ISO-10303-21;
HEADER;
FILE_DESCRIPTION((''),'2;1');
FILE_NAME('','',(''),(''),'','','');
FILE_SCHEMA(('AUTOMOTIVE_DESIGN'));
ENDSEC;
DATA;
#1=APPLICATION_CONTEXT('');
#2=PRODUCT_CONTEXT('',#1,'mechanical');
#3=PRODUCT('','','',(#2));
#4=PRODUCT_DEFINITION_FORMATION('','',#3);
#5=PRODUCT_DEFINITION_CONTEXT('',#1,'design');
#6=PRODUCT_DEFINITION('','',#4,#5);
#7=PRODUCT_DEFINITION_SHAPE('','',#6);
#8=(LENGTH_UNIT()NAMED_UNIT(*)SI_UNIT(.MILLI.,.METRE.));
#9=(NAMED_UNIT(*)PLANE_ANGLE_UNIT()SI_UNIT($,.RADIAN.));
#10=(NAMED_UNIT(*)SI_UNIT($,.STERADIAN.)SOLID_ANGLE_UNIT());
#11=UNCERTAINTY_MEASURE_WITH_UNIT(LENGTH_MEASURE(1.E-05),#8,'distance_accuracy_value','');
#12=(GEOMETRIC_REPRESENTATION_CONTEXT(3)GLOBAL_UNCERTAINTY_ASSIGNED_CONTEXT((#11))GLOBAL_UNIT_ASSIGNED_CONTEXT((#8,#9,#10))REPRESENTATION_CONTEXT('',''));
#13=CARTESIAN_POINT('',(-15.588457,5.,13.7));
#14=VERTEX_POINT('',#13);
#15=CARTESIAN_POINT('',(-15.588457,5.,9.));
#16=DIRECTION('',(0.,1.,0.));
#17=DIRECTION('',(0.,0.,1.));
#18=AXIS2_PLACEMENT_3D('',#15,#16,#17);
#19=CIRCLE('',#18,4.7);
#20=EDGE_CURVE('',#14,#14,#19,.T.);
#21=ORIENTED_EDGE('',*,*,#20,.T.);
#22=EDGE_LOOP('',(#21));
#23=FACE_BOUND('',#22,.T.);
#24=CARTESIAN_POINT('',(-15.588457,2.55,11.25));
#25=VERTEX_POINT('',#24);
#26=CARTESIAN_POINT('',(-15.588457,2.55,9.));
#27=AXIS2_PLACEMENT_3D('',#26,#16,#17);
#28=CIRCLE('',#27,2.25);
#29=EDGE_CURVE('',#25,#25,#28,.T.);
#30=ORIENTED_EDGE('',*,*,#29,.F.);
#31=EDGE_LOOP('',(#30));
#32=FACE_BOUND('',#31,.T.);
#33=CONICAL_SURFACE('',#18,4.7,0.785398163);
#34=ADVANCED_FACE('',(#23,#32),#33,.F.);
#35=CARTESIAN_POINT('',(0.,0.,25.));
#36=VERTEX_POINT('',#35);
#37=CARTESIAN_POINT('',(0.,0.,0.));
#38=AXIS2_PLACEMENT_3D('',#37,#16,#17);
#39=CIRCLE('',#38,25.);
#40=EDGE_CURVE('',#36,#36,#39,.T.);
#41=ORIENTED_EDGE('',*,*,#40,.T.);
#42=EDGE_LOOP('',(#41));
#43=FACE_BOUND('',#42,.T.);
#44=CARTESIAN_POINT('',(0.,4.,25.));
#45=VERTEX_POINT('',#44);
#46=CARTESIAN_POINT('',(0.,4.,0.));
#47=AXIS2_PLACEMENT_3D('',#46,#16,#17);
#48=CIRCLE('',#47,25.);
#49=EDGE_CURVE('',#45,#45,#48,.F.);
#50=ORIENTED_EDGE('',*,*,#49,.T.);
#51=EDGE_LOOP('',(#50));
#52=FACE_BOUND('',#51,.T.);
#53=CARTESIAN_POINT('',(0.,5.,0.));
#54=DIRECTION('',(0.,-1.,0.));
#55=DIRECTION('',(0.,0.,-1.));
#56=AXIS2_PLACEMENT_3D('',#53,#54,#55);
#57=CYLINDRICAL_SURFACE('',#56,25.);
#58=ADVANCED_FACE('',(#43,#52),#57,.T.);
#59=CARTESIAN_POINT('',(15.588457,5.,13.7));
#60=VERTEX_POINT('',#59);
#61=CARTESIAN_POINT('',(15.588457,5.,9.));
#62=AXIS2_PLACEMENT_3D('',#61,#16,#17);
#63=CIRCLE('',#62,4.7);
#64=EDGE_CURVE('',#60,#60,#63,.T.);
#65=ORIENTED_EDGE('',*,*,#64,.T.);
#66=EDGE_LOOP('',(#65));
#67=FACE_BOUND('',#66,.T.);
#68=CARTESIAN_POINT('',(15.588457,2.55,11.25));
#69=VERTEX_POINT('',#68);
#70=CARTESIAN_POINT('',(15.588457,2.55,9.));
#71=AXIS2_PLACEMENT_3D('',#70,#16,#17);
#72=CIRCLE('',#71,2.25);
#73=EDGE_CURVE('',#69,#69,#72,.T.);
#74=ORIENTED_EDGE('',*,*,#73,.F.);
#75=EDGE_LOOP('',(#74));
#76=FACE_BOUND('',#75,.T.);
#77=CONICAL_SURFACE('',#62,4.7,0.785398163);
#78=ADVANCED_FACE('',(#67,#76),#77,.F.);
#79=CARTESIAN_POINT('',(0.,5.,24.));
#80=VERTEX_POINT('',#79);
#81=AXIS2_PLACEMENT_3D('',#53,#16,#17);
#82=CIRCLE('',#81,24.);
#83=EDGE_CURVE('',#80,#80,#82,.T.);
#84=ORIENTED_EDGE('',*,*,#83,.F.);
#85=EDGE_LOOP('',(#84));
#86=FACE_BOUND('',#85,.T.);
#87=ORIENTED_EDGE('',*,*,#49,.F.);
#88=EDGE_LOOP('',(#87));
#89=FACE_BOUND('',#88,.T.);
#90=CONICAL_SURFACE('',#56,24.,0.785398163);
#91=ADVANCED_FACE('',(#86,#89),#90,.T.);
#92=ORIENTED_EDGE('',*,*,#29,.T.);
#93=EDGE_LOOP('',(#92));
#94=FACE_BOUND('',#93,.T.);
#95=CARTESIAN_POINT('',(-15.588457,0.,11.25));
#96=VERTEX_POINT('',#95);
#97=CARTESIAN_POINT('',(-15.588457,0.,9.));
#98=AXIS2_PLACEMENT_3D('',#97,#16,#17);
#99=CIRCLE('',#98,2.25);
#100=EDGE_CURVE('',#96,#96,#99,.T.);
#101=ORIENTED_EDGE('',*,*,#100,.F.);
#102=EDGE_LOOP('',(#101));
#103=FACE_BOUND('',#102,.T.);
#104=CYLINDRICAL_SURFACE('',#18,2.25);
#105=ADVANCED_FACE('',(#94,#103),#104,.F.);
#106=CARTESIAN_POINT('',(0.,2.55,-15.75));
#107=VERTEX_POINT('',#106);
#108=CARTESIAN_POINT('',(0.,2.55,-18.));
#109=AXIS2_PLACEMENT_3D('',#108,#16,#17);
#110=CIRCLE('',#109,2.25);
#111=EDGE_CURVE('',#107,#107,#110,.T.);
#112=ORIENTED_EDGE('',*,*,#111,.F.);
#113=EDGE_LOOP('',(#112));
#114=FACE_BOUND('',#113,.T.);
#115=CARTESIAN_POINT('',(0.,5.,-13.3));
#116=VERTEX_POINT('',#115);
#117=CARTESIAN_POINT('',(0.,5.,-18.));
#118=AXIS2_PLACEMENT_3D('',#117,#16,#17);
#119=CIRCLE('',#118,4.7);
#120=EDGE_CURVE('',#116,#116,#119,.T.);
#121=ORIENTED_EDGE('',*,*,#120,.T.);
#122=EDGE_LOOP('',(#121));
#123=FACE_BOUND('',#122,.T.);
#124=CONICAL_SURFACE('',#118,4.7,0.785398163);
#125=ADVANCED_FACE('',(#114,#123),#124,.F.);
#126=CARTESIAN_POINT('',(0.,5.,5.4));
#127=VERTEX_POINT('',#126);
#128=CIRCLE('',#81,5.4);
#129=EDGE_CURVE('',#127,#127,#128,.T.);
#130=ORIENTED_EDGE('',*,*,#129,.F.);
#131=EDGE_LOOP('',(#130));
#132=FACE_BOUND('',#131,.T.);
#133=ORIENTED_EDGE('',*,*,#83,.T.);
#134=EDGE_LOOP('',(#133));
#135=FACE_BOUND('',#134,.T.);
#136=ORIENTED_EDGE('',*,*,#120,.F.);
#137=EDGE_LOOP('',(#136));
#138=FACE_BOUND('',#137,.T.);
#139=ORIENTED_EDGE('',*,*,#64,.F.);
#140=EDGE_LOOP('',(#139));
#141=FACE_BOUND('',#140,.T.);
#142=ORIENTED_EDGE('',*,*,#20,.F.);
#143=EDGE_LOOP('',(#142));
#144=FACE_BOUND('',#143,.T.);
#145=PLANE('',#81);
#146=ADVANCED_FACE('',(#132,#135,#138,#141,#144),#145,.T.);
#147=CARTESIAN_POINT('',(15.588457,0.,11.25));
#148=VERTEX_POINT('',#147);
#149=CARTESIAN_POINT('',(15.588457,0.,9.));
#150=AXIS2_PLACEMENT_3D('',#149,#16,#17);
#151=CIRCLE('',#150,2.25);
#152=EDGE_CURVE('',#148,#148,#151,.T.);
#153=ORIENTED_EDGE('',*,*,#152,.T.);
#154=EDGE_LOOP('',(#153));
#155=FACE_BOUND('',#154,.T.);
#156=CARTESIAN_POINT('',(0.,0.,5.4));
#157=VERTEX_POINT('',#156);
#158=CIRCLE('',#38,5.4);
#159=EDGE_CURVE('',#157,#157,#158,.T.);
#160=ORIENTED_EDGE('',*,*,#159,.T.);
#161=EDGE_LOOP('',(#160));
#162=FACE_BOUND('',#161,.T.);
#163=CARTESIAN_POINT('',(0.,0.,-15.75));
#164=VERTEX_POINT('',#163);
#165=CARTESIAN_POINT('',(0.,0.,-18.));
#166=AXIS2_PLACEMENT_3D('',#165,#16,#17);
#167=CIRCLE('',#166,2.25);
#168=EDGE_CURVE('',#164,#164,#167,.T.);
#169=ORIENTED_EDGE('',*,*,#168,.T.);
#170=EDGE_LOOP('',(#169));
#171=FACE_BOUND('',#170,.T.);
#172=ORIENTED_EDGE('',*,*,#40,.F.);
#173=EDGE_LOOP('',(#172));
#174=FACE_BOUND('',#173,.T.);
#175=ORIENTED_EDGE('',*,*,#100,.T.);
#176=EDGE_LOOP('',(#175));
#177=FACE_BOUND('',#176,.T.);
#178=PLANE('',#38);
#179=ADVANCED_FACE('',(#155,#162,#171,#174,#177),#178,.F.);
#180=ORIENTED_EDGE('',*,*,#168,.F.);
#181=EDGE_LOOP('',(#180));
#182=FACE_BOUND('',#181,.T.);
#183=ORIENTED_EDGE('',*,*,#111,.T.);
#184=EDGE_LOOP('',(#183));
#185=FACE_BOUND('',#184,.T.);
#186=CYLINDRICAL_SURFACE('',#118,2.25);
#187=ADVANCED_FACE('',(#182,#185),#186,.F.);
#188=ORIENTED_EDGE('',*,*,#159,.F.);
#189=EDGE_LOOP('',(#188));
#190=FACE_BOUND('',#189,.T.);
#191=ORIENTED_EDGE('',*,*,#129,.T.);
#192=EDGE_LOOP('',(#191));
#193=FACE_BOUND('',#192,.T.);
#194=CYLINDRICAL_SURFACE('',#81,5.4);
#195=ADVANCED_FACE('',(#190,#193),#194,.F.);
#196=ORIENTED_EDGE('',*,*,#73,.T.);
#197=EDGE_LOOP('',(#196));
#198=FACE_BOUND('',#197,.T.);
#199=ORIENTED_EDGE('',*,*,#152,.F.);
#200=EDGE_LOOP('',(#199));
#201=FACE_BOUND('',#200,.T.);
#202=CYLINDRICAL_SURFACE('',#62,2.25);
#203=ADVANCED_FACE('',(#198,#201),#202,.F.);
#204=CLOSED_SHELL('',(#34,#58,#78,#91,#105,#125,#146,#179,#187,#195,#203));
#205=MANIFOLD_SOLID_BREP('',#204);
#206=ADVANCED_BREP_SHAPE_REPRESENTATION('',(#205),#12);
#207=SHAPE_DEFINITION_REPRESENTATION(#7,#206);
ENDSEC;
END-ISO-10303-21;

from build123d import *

# Parameters (mm, degrees)
SKETCH1_R                                     = 25
BOSS_EXTRUDE1_DEPTH                           = 5
CHAMFER1_SIZE                                 = 1
CSK_FOR_M4_COUNTERSUNK_FLAT_HEAD1_D           = 4.5
CSK_FOR_M4_COUNTERSUNK_FLAT_HEAD1_CSINK_D     = 9.4
CSK_FOR_M4_COUNTERSUNK_FLAT_HEAD1_CSINK_ANGLE = 90
M12X1_25_TAPPED_HOLE1_D                       = 10.8
M12X1_25_TAPPED_HOLE1_ON_FACE_2_D             = 10.8
CIRPATTERN1_COUNT                             = 3


with BuildPart() as part:
    # Sketch1 → Boss-Extrude1 (new body)
    with BuildSketch(Plane(origin=(0, 0, 0), x_dir=(1, 0, 0), z_dir=(0, 1, 0))):
        with Locations(Location((0, 0, 0), (0, 0, 270))):
            Circle(SKETCH1_R)
    extrude(amount=BOSS_EXTRUDE1_DEPTH)

    # Chamfer1
    chamfer1_edges = [part.edges().sort_by_distance(p)[0] for p in [
        (0, 5, -25),
    ]]
    chamfer(chamfer1_edges, length=CHAMFER1_SIZE)

    # CSK for M4 Countersunk Flat Head1 (through all)
    with Locations(Plane(origin=(0, 5, -18), x_dir=(0, 0, 1), z_dir=(0, 1, 0))):
        with Locations((0, 0)):
            csk_for_m4_countersunk_flat_head1 = CounterSinkHole(CSK_FOR_M4_COUNTERSUNK_FLAT_HEAD1_D / 2, CSK_FOR_M4_COUNTERSUNK_FLAT_HEAD1_CSINK_D / 2, counter_sink_angle=CSK_FOR_M4_COUNTERSUNK_FLAT_HEAD1_CSINK_ANGLE)

    # M12x1.25 Tapped Hole1 (through all)
    with Locations(Plane(origin=(0, 0, 0), x_dir=(0, 0, -1), z_dir=(0, -1, 0))):
        with Locations((0, 0)):
            Hole(M12X1_25_TAPPED_HOLE1_D / 2)

    # M12x1.25 Tapped Hole1 on face 2 (through all)
    with Locations(Plane.ZX.offset(5)):
        with Locations((0, 0)):
            Hole(M12X1_25_TAPPED_HOLE1_ON_FACE_2_D / 2)

    # CirPattern1: CSK for M4 Countersunk Flat Head1 ×3 about axis
    cirpattern1_axis = Axis((0, 0, 0), (0, 1, 0))
    for i in range(1, CIRPATTERN1_COUNT):
        add(csk_for_m4_countersunk_flat_head1.rotate(cirpattern1_axis, i * 360 / CIRPATTERN1_COUNT), mode=Mode.SUBTRACT)


solid = part.part
